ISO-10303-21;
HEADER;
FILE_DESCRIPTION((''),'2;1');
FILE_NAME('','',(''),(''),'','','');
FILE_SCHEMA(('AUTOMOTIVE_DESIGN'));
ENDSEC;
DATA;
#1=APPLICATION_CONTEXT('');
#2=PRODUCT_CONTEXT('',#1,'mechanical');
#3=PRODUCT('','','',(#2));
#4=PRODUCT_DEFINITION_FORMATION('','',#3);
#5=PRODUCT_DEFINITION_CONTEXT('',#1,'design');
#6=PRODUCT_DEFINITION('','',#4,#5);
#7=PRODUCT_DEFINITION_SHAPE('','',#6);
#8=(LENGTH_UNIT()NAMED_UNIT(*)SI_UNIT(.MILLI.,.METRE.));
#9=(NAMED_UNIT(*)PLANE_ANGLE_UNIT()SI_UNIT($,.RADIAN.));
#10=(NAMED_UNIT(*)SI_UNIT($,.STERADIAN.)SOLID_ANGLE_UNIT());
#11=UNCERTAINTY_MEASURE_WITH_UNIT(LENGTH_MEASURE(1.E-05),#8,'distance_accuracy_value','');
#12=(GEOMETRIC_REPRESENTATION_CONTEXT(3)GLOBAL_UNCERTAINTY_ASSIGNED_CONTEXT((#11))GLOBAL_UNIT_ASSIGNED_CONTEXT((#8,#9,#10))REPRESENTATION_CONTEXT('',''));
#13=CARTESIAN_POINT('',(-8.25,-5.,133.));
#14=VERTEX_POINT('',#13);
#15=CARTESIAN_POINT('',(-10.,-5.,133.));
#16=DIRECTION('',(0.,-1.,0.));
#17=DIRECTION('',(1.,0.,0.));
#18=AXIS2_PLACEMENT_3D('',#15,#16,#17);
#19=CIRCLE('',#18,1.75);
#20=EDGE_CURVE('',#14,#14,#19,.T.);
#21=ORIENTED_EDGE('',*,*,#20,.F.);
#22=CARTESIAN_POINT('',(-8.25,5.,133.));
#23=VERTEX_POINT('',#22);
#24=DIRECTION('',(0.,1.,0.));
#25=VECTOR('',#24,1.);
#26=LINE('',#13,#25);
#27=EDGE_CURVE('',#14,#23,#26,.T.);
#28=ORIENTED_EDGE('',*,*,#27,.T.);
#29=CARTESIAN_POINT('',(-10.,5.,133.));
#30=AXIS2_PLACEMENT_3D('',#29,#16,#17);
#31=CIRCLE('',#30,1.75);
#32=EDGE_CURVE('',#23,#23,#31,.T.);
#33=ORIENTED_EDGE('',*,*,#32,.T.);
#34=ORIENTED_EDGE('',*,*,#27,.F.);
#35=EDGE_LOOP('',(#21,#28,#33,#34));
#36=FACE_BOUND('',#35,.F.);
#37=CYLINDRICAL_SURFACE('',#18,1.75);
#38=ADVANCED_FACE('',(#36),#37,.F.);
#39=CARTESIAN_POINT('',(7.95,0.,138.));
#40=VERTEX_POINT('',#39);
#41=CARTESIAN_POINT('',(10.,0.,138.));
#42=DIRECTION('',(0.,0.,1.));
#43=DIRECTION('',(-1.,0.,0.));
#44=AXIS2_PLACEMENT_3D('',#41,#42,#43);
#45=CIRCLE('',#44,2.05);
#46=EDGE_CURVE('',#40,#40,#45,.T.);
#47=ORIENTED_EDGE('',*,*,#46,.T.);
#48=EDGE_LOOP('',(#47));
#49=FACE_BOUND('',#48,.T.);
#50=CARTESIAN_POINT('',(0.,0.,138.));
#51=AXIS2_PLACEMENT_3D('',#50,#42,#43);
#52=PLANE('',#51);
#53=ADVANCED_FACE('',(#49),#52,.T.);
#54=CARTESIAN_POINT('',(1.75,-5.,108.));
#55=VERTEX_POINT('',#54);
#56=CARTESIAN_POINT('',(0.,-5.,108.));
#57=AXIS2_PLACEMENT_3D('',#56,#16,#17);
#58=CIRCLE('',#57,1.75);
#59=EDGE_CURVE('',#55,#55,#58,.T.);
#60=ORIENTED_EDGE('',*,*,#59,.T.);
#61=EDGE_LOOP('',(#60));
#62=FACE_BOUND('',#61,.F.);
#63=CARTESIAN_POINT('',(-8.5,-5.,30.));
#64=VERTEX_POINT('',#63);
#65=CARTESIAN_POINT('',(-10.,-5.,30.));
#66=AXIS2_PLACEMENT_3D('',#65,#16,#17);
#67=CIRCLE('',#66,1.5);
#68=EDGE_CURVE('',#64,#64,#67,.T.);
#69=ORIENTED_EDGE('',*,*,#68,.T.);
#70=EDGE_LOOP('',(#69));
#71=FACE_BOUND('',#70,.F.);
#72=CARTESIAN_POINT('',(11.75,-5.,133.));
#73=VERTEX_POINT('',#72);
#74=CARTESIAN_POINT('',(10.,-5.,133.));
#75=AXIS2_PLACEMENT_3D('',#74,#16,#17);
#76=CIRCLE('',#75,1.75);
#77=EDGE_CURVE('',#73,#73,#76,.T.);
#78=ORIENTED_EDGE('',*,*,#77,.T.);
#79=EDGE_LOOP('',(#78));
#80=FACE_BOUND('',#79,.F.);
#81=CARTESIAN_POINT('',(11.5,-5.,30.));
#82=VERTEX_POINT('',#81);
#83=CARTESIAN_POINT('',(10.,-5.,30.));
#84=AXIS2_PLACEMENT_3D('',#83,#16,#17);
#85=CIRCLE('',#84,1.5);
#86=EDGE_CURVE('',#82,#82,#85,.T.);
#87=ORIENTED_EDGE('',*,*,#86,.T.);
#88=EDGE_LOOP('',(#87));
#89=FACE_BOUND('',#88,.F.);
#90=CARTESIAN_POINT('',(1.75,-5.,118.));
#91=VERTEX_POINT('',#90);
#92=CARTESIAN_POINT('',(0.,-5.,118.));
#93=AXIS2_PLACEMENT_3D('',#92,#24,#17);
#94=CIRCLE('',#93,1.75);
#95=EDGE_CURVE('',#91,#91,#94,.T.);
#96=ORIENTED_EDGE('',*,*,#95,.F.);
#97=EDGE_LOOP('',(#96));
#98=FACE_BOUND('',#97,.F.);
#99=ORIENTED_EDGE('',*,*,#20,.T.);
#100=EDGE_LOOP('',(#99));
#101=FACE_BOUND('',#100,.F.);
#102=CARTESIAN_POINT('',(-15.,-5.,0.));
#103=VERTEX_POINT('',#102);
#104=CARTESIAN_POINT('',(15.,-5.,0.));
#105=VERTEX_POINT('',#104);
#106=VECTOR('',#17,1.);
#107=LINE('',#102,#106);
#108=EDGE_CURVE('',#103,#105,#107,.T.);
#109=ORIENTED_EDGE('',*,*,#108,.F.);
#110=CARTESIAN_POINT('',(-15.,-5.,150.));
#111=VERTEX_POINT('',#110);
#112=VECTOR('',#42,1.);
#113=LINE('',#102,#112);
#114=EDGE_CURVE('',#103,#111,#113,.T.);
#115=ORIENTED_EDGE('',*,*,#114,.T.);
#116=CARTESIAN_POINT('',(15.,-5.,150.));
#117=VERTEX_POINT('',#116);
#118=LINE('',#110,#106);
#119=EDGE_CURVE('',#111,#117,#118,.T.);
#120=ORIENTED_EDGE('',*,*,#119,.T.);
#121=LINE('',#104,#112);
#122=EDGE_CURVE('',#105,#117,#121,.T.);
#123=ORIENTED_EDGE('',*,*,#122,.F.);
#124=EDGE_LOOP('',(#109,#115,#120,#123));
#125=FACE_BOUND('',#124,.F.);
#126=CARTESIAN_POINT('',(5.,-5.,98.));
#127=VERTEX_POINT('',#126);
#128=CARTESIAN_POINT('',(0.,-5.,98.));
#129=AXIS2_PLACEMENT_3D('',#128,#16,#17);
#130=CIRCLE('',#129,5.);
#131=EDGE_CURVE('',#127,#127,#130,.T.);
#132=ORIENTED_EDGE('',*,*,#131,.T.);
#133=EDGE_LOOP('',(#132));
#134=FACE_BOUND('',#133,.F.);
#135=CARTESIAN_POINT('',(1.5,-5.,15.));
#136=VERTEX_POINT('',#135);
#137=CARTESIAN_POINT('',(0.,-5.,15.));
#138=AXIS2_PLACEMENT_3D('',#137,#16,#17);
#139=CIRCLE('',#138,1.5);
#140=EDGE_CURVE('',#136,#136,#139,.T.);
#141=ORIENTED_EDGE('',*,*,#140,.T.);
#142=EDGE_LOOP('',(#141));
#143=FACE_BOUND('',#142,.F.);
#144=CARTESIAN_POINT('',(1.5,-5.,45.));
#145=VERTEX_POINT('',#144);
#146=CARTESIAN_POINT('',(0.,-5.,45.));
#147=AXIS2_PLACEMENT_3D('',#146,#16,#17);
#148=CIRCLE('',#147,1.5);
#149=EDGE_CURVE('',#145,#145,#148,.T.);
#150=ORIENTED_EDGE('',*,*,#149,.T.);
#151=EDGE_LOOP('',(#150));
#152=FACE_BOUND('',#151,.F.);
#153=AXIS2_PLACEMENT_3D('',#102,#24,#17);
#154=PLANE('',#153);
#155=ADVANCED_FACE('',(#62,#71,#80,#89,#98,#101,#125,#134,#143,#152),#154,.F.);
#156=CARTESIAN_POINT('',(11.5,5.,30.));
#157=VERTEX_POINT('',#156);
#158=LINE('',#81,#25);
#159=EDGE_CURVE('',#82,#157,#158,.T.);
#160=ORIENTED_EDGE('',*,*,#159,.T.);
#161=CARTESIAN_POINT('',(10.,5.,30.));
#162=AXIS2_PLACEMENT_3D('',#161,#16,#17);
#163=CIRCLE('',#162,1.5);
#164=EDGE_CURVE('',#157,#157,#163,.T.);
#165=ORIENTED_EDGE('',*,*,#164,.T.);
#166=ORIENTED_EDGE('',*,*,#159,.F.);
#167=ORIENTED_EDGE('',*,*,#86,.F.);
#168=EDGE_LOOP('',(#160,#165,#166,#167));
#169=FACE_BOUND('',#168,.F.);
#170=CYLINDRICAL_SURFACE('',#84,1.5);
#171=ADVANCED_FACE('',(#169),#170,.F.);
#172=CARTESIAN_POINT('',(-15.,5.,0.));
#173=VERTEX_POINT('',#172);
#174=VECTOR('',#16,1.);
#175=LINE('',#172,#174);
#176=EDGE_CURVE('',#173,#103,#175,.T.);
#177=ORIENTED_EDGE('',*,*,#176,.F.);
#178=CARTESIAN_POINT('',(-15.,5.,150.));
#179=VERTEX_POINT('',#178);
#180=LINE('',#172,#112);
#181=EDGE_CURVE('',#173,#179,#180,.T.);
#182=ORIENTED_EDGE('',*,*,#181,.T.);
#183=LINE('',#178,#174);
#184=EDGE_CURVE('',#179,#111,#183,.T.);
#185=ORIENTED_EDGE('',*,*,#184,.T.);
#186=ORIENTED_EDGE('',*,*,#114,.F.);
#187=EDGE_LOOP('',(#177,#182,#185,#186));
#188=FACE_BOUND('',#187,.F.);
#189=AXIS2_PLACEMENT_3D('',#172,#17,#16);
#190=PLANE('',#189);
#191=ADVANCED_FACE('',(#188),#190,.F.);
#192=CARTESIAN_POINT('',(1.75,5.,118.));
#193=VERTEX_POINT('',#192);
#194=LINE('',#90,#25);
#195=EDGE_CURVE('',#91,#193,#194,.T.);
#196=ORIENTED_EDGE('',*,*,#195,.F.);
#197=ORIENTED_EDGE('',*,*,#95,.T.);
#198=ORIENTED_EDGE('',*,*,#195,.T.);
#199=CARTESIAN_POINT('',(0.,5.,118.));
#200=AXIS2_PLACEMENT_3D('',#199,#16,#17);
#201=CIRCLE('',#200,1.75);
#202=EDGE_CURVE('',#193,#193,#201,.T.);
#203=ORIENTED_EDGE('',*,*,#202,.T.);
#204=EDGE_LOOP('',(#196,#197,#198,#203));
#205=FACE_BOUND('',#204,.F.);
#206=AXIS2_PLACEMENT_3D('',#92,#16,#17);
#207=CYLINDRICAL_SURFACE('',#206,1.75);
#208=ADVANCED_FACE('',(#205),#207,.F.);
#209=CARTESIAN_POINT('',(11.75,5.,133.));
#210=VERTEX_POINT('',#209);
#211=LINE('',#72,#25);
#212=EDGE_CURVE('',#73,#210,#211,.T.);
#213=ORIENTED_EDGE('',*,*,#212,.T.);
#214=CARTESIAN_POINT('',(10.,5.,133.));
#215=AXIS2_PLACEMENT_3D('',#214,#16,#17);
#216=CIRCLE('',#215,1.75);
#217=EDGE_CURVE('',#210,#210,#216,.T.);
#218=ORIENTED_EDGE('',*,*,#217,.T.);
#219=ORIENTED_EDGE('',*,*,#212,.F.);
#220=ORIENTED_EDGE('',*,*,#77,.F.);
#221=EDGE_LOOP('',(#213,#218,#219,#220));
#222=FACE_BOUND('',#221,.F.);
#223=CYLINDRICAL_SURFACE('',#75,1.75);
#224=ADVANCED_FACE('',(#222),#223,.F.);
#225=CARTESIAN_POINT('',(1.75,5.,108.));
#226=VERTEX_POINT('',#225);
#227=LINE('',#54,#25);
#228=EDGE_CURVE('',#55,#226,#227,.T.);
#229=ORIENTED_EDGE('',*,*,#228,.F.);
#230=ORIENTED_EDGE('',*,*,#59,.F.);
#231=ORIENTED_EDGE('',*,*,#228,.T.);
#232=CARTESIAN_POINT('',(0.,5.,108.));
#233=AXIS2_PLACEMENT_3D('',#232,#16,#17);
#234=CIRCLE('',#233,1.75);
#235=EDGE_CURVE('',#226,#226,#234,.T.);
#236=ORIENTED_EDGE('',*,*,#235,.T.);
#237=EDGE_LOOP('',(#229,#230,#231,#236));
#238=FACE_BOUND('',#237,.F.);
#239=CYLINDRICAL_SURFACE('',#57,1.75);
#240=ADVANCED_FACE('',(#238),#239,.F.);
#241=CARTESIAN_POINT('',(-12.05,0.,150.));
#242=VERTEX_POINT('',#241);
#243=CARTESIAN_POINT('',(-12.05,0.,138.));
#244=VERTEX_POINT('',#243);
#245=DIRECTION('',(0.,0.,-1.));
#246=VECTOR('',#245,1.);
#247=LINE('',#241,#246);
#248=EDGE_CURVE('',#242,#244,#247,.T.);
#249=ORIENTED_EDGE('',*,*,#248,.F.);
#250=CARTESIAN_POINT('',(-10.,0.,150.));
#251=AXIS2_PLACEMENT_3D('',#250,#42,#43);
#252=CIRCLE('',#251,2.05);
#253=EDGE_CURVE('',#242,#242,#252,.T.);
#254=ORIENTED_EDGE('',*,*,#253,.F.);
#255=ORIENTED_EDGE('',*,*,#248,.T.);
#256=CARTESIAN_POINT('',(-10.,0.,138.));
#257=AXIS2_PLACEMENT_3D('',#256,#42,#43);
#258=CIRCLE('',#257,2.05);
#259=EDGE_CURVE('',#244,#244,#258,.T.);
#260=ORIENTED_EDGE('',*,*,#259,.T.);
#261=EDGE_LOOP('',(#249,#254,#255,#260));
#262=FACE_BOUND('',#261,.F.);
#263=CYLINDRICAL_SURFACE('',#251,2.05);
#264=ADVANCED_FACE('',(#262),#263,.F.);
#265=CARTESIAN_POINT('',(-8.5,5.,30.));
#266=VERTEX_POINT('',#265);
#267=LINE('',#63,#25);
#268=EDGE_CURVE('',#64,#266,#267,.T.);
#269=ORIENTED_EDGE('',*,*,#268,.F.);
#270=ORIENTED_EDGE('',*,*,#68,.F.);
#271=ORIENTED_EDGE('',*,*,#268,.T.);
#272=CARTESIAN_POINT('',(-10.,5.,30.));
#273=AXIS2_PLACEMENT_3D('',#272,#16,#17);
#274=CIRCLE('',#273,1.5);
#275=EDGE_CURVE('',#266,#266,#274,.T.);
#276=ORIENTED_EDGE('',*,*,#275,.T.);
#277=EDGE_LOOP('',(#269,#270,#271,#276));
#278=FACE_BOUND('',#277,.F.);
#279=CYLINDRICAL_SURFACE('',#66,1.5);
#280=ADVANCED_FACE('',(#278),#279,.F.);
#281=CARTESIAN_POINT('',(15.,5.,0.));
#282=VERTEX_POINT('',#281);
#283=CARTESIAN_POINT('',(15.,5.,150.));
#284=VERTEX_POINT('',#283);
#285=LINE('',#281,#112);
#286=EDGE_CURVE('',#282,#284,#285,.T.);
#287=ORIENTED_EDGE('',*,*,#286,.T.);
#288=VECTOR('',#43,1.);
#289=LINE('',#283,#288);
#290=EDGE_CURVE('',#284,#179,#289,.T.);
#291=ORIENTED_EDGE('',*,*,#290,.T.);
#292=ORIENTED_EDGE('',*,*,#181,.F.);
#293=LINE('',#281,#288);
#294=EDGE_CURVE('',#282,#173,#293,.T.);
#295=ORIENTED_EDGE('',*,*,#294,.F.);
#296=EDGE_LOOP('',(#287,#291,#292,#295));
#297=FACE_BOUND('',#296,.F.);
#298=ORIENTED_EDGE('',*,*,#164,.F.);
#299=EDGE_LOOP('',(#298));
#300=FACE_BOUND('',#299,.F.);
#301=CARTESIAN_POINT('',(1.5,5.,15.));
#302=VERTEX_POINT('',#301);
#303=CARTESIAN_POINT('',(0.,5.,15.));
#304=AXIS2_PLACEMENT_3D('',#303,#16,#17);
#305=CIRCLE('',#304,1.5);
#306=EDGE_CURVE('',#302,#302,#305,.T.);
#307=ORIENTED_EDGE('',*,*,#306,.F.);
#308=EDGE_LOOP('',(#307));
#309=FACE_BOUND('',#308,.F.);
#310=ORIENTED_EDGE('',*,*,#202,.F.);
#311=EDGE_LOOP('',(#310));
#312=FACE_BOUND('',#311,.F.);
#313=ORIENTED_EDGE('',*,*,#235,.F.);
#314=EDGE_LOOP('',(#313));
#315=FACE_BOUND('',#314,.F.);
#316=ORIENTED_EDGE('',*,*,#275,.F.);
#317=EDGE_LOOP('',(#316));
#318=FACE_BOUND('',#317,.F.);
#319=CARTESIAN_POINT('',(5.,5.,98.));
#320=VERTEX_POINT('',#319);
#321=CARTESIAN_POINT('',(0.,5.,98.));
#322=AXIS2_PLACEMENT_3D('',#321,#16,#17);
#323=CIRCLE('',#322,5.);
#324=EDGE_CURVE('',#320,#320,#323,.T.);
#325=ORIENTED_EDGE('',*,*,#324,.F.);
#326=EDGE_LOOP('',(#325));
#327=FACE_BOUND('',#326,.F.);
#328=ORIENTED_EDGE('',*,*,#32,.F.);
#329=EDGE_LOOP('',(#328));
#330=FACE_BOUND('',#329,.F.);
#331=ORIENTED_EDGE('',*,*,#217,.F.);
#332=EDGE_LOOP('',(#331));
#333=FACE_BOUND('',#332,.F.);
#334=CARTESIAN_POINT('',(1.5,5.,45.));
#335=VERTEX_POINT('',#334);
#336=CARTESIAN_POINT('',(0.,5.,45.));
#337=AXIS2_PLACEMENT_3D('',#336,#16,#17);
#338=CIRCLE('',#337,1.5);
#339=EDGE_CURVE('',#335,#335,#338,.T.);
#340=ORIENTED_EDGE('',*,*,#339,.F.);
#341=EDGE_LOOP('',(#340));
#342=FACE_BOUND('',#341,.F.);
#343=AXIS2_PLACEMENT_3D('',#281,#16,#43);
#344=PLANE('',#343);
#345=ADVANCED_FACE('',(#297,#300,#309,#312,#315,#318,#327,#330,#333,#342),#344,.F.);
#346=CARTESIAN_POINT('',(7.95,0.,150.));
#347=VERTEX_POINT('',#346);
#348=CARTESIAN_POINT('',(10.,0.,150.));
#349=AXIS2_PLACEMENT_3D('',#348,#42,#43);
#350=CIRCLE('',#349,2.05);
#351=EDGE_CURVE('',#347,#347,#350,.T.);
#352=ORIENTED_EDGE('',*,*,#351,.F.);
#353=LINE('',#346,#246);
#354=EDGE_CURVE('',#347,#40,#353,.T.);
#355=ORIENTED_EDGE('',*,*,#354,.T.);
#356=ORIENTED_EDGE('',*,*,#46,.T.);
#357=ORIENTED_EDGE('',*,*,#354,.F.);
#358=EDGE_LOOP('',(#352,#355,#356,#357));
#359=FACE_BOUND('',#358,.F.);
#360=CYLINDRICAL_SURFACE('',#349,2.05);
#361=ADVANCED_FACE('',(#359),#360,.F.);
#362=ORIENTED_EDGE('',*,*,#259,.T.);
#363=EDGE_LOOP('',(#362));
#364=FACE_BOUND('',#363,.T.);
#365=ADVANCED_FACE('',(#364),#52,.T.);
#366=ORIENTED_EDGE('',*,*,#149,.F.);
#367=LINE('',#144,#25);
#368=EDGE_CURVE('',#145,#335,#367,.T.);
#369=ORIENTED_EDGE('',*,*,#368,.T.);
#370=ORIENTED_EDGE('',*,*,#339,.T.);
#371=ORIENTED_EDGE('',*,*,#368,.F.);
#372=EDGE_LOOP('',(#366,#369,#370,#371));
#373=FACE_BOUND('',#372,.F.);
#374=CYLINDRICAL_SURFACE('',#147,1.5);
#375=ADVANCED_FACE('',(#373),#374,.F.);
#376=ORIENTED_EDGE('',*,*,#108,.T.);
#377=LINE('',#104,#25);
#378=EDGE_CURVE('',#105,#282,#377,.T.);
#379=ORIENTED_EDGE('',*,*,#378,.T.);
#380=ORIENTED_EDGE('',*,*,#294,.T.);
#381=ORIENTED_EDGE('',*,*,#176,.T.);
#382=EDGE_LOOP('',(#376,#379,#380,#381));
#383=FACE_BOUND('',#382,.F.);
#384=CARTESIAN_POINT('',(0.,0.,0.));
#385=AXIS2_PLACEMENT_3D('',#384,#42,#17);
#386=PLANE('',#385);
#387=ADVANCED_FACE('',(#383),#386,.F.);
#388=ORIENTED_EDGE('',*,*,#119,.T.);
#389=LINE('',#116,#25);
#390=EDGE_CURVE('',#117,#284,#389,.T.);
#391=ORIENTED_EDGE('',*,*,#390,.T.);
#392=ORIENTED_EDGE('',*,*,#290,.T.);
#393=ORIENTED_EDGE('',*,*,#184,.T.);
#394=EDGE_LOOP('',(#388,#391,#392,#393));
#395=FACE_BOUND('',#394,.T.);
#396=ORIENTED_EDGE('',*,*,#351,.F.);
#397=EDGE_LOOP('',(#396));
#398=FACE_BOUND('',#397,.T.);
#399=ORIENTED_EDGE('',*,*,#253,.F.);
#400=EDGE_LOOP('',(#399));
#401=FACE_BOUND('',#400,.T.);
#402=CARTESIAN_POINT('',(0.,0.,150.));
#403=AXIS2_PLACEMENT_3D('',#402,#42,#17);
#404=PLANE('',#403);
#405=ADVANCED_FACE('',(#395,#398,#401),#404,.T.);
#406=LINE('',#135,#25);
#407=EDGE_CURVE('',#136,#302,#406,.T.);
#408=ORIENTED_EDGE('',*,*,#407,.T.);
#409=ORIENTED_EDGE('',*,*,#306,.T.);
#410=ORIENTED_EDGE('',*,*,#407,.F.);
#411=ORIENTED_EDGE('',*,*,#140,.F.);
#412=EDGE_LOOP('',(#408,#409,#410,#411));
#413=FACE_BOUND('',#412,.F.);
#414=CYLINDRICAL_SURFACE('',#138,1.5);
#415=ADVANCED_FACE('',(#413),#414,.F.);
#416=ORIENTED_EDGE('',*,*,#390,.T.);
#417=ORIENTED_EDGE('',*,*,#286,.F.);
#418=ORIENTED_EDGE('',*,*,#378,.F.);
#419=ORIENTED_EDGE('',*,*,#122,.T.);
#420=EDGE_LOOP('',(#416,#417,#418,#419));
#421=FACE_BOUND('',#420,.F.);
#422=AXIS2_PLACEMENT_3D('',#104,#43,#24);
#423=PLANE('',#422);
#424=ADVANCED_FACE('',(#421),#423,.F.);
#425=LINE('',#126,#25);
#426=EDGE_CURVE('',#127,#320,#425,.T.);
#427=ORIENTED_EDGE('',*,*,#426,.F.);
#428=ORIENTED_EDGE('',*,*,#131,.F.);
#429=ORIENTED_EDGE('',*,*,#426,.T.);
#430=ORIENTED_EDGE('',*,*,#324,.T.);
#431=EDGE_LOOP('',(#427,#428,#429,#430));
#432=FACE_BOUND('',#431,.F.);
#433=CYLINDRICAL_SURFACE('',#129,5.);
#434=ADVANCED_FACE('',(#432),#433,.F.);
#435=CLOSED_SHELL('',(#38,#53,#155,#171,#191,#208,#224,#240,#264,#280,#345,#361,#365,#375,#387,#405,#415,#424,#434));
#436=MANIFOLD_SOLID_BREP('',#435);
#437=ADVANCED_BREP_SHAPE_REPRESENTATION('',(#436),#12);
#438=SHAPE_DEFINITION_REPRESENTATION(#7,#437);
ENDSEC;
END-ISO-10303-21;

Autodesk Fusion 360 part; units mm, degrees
sketch "Sketch1" plane through (0, 0, 0) normal (0, 0, 1) x (1, 0, 0)
  line L0 (15, 5) -> (-15, 5)
  line L1 (-15, 5) -> (-15, -5)
  line L2 (-15, -5) -> (15, -5)
  line L3 (15, -5) -> (15, 5)
  line L4 (15, 5) -> (-15, -5) construction
  line L5 (-15, 5) -> (15, -5) construction
  dimension "d1" = 30
  dimension "d2" = 10
extrude "Extrude1" add sketch "Sketch1" along normal blind 150
sketch "Sketch2" plane through (0, -5, 0) normal (0, -1, 0) x (1, 0, 0)
  line L0 (-15, 0) -> (15, 0)
  line L1 (15, 0) -> (15, 150)
  line L2 (15, 150) -> (-15, 150)
  line L3 (-15, 150) -> (-15, 0)
  circle A0 centre (0, 118) radius 1.75
  line L4 (0, 150) -> (0, 118)
  circle A1 centre (-10, 133) radius 1.75
  circle A2 centre (10, 133) radius 1.75
  dimension "d5" = 3.5
  dimension "d6" = 32
  dimension "d7" = 3.5
  dimension "d8" = 3.5
  dimension "d9" = 10
  dimension "d10" = 10
  dimension "d11" = 15
  dimension "d12" = 15
extrude "Extrude2" cut sketch "Sketch2" against normal blind 10 contours A0 | A1 | A2
sketch "Sketch3" plane through (0, 0, 150) normal (0, 0, 1) x (-1, 0, 0)
  line L0 (-15, 5) -> (-15, -5)
  line L1 (-15, -5) -> (15, -5)
  line L2 (15, -5) -> (15, 5)
  line L3 (15, 5) -> (-15, 5)
  circle A0 centre (10, 0) radius 2.05
  circle A1 centre (-10, 0) radius 2.05
  dimension "d15" = 4.1
  dimension "d17" = 10
  dimension "d18" = 10
extrude "Extrude3" cut sketch "Sketch3" against normal blind 12 contours A0 | A1
sketch "Sketch4" plane through (0, -5, 0) normal (0, -1, 0) x (1, 0, 0)
  circle A0 centre (-10, 133) radius 1.75
  circle A1 centre (10, 133) radius 1.75
  circle A2 centre (0, 118) radius 1.75
  line L0 (-15, 0) -> (15, 0)
  line L1 (15, 0) -> (15, 150)
  line L2 (15, 150) -> (-15, 150)
  line L3 (-15, 150) -> (-15, 0)
  line L4 (0, 0) -> (0, 6)
  circle A3 centre (0, 15) radius 1.5
  circle A4 centre (-10, 30) radius 1.5
  circle A5 centre (10, 30) radius 1.5
  circle A6 centre (0, 45) radius 1.5
  dimension "d21" = 3
  dimension "d22" = 15
  dimension "d23" = 3
  dimension "d24" = 10
  dimension "d25" = 30
  dimension "d26" = 3
  dimension "d27" = 45
extrude "Extrude4" cut sketch "Sketch4" against normal blind 10 contours A3 | A4 | A5 | A6
sketch "Sketch5" plane through (0, -5, 0) normal (0, -1, 0) x (1, 0, 0)
  circle A0 centre (0, 45) radius 1.5
  circle A1 centre (10, 30) radius 1.5
  circle A2 centre (-10, 30) radius 1.5
  circle A3 centre (0, 15) radius 1.5
  circle A4 centre (-10, 133) radius 1.75
  circle A5 centre (10, 133) radius 1.75
  circle A6 centre (0, 118) radius 1.75
  line L0 (-15, 0) -> (15, 0)
  line L1 (15, 0) -> (15, 150)
  line L2 (15, 150) -> (-15, 150)
  line L3 (-15, 150) -> (-15, 0)
  circle A7 centre (0, 108) radius 1.75
  dimension "d30" = 3.5
  dimension "d31" = 10
extrude "Extrude5" cut sketch "Sketch5" against normal blind 10 contours A7
sketch "Sketch6" plane through (0, -5, 0) normal (0, -1, 0) x (1, 0, 0)
  circle A0 centre (0, 108) radius 1.75
  circle A1 centre (0, 45) radius 1.5
  circle A2 centre (10, 30) radius 1.5
  circle A3 centre (-10, 30) radius 1.5
  circle A4 centre (0, 15) radius 1.5
  circle A5 centre (-10, 133) radius 1.75
  circle A6 centre (10, 133) radius 1.75
  circle A7 centre (0, 118) radius 1.75
  line L0 (-15, 0) -> (15, 0)
  line L1 (15, 0) -> (15, 150)
  line L2 (15, 150) -> (-15, 150)
  line L3 (-15, 150) -> (-15, 0)
  circle A8 centre (0, 98) radius 5
  dimension "d34" = 10
  dimension "d35" = 10
extrude "Extrude6" cut sketch "Sketch6" against normal blind 10 contours A8
